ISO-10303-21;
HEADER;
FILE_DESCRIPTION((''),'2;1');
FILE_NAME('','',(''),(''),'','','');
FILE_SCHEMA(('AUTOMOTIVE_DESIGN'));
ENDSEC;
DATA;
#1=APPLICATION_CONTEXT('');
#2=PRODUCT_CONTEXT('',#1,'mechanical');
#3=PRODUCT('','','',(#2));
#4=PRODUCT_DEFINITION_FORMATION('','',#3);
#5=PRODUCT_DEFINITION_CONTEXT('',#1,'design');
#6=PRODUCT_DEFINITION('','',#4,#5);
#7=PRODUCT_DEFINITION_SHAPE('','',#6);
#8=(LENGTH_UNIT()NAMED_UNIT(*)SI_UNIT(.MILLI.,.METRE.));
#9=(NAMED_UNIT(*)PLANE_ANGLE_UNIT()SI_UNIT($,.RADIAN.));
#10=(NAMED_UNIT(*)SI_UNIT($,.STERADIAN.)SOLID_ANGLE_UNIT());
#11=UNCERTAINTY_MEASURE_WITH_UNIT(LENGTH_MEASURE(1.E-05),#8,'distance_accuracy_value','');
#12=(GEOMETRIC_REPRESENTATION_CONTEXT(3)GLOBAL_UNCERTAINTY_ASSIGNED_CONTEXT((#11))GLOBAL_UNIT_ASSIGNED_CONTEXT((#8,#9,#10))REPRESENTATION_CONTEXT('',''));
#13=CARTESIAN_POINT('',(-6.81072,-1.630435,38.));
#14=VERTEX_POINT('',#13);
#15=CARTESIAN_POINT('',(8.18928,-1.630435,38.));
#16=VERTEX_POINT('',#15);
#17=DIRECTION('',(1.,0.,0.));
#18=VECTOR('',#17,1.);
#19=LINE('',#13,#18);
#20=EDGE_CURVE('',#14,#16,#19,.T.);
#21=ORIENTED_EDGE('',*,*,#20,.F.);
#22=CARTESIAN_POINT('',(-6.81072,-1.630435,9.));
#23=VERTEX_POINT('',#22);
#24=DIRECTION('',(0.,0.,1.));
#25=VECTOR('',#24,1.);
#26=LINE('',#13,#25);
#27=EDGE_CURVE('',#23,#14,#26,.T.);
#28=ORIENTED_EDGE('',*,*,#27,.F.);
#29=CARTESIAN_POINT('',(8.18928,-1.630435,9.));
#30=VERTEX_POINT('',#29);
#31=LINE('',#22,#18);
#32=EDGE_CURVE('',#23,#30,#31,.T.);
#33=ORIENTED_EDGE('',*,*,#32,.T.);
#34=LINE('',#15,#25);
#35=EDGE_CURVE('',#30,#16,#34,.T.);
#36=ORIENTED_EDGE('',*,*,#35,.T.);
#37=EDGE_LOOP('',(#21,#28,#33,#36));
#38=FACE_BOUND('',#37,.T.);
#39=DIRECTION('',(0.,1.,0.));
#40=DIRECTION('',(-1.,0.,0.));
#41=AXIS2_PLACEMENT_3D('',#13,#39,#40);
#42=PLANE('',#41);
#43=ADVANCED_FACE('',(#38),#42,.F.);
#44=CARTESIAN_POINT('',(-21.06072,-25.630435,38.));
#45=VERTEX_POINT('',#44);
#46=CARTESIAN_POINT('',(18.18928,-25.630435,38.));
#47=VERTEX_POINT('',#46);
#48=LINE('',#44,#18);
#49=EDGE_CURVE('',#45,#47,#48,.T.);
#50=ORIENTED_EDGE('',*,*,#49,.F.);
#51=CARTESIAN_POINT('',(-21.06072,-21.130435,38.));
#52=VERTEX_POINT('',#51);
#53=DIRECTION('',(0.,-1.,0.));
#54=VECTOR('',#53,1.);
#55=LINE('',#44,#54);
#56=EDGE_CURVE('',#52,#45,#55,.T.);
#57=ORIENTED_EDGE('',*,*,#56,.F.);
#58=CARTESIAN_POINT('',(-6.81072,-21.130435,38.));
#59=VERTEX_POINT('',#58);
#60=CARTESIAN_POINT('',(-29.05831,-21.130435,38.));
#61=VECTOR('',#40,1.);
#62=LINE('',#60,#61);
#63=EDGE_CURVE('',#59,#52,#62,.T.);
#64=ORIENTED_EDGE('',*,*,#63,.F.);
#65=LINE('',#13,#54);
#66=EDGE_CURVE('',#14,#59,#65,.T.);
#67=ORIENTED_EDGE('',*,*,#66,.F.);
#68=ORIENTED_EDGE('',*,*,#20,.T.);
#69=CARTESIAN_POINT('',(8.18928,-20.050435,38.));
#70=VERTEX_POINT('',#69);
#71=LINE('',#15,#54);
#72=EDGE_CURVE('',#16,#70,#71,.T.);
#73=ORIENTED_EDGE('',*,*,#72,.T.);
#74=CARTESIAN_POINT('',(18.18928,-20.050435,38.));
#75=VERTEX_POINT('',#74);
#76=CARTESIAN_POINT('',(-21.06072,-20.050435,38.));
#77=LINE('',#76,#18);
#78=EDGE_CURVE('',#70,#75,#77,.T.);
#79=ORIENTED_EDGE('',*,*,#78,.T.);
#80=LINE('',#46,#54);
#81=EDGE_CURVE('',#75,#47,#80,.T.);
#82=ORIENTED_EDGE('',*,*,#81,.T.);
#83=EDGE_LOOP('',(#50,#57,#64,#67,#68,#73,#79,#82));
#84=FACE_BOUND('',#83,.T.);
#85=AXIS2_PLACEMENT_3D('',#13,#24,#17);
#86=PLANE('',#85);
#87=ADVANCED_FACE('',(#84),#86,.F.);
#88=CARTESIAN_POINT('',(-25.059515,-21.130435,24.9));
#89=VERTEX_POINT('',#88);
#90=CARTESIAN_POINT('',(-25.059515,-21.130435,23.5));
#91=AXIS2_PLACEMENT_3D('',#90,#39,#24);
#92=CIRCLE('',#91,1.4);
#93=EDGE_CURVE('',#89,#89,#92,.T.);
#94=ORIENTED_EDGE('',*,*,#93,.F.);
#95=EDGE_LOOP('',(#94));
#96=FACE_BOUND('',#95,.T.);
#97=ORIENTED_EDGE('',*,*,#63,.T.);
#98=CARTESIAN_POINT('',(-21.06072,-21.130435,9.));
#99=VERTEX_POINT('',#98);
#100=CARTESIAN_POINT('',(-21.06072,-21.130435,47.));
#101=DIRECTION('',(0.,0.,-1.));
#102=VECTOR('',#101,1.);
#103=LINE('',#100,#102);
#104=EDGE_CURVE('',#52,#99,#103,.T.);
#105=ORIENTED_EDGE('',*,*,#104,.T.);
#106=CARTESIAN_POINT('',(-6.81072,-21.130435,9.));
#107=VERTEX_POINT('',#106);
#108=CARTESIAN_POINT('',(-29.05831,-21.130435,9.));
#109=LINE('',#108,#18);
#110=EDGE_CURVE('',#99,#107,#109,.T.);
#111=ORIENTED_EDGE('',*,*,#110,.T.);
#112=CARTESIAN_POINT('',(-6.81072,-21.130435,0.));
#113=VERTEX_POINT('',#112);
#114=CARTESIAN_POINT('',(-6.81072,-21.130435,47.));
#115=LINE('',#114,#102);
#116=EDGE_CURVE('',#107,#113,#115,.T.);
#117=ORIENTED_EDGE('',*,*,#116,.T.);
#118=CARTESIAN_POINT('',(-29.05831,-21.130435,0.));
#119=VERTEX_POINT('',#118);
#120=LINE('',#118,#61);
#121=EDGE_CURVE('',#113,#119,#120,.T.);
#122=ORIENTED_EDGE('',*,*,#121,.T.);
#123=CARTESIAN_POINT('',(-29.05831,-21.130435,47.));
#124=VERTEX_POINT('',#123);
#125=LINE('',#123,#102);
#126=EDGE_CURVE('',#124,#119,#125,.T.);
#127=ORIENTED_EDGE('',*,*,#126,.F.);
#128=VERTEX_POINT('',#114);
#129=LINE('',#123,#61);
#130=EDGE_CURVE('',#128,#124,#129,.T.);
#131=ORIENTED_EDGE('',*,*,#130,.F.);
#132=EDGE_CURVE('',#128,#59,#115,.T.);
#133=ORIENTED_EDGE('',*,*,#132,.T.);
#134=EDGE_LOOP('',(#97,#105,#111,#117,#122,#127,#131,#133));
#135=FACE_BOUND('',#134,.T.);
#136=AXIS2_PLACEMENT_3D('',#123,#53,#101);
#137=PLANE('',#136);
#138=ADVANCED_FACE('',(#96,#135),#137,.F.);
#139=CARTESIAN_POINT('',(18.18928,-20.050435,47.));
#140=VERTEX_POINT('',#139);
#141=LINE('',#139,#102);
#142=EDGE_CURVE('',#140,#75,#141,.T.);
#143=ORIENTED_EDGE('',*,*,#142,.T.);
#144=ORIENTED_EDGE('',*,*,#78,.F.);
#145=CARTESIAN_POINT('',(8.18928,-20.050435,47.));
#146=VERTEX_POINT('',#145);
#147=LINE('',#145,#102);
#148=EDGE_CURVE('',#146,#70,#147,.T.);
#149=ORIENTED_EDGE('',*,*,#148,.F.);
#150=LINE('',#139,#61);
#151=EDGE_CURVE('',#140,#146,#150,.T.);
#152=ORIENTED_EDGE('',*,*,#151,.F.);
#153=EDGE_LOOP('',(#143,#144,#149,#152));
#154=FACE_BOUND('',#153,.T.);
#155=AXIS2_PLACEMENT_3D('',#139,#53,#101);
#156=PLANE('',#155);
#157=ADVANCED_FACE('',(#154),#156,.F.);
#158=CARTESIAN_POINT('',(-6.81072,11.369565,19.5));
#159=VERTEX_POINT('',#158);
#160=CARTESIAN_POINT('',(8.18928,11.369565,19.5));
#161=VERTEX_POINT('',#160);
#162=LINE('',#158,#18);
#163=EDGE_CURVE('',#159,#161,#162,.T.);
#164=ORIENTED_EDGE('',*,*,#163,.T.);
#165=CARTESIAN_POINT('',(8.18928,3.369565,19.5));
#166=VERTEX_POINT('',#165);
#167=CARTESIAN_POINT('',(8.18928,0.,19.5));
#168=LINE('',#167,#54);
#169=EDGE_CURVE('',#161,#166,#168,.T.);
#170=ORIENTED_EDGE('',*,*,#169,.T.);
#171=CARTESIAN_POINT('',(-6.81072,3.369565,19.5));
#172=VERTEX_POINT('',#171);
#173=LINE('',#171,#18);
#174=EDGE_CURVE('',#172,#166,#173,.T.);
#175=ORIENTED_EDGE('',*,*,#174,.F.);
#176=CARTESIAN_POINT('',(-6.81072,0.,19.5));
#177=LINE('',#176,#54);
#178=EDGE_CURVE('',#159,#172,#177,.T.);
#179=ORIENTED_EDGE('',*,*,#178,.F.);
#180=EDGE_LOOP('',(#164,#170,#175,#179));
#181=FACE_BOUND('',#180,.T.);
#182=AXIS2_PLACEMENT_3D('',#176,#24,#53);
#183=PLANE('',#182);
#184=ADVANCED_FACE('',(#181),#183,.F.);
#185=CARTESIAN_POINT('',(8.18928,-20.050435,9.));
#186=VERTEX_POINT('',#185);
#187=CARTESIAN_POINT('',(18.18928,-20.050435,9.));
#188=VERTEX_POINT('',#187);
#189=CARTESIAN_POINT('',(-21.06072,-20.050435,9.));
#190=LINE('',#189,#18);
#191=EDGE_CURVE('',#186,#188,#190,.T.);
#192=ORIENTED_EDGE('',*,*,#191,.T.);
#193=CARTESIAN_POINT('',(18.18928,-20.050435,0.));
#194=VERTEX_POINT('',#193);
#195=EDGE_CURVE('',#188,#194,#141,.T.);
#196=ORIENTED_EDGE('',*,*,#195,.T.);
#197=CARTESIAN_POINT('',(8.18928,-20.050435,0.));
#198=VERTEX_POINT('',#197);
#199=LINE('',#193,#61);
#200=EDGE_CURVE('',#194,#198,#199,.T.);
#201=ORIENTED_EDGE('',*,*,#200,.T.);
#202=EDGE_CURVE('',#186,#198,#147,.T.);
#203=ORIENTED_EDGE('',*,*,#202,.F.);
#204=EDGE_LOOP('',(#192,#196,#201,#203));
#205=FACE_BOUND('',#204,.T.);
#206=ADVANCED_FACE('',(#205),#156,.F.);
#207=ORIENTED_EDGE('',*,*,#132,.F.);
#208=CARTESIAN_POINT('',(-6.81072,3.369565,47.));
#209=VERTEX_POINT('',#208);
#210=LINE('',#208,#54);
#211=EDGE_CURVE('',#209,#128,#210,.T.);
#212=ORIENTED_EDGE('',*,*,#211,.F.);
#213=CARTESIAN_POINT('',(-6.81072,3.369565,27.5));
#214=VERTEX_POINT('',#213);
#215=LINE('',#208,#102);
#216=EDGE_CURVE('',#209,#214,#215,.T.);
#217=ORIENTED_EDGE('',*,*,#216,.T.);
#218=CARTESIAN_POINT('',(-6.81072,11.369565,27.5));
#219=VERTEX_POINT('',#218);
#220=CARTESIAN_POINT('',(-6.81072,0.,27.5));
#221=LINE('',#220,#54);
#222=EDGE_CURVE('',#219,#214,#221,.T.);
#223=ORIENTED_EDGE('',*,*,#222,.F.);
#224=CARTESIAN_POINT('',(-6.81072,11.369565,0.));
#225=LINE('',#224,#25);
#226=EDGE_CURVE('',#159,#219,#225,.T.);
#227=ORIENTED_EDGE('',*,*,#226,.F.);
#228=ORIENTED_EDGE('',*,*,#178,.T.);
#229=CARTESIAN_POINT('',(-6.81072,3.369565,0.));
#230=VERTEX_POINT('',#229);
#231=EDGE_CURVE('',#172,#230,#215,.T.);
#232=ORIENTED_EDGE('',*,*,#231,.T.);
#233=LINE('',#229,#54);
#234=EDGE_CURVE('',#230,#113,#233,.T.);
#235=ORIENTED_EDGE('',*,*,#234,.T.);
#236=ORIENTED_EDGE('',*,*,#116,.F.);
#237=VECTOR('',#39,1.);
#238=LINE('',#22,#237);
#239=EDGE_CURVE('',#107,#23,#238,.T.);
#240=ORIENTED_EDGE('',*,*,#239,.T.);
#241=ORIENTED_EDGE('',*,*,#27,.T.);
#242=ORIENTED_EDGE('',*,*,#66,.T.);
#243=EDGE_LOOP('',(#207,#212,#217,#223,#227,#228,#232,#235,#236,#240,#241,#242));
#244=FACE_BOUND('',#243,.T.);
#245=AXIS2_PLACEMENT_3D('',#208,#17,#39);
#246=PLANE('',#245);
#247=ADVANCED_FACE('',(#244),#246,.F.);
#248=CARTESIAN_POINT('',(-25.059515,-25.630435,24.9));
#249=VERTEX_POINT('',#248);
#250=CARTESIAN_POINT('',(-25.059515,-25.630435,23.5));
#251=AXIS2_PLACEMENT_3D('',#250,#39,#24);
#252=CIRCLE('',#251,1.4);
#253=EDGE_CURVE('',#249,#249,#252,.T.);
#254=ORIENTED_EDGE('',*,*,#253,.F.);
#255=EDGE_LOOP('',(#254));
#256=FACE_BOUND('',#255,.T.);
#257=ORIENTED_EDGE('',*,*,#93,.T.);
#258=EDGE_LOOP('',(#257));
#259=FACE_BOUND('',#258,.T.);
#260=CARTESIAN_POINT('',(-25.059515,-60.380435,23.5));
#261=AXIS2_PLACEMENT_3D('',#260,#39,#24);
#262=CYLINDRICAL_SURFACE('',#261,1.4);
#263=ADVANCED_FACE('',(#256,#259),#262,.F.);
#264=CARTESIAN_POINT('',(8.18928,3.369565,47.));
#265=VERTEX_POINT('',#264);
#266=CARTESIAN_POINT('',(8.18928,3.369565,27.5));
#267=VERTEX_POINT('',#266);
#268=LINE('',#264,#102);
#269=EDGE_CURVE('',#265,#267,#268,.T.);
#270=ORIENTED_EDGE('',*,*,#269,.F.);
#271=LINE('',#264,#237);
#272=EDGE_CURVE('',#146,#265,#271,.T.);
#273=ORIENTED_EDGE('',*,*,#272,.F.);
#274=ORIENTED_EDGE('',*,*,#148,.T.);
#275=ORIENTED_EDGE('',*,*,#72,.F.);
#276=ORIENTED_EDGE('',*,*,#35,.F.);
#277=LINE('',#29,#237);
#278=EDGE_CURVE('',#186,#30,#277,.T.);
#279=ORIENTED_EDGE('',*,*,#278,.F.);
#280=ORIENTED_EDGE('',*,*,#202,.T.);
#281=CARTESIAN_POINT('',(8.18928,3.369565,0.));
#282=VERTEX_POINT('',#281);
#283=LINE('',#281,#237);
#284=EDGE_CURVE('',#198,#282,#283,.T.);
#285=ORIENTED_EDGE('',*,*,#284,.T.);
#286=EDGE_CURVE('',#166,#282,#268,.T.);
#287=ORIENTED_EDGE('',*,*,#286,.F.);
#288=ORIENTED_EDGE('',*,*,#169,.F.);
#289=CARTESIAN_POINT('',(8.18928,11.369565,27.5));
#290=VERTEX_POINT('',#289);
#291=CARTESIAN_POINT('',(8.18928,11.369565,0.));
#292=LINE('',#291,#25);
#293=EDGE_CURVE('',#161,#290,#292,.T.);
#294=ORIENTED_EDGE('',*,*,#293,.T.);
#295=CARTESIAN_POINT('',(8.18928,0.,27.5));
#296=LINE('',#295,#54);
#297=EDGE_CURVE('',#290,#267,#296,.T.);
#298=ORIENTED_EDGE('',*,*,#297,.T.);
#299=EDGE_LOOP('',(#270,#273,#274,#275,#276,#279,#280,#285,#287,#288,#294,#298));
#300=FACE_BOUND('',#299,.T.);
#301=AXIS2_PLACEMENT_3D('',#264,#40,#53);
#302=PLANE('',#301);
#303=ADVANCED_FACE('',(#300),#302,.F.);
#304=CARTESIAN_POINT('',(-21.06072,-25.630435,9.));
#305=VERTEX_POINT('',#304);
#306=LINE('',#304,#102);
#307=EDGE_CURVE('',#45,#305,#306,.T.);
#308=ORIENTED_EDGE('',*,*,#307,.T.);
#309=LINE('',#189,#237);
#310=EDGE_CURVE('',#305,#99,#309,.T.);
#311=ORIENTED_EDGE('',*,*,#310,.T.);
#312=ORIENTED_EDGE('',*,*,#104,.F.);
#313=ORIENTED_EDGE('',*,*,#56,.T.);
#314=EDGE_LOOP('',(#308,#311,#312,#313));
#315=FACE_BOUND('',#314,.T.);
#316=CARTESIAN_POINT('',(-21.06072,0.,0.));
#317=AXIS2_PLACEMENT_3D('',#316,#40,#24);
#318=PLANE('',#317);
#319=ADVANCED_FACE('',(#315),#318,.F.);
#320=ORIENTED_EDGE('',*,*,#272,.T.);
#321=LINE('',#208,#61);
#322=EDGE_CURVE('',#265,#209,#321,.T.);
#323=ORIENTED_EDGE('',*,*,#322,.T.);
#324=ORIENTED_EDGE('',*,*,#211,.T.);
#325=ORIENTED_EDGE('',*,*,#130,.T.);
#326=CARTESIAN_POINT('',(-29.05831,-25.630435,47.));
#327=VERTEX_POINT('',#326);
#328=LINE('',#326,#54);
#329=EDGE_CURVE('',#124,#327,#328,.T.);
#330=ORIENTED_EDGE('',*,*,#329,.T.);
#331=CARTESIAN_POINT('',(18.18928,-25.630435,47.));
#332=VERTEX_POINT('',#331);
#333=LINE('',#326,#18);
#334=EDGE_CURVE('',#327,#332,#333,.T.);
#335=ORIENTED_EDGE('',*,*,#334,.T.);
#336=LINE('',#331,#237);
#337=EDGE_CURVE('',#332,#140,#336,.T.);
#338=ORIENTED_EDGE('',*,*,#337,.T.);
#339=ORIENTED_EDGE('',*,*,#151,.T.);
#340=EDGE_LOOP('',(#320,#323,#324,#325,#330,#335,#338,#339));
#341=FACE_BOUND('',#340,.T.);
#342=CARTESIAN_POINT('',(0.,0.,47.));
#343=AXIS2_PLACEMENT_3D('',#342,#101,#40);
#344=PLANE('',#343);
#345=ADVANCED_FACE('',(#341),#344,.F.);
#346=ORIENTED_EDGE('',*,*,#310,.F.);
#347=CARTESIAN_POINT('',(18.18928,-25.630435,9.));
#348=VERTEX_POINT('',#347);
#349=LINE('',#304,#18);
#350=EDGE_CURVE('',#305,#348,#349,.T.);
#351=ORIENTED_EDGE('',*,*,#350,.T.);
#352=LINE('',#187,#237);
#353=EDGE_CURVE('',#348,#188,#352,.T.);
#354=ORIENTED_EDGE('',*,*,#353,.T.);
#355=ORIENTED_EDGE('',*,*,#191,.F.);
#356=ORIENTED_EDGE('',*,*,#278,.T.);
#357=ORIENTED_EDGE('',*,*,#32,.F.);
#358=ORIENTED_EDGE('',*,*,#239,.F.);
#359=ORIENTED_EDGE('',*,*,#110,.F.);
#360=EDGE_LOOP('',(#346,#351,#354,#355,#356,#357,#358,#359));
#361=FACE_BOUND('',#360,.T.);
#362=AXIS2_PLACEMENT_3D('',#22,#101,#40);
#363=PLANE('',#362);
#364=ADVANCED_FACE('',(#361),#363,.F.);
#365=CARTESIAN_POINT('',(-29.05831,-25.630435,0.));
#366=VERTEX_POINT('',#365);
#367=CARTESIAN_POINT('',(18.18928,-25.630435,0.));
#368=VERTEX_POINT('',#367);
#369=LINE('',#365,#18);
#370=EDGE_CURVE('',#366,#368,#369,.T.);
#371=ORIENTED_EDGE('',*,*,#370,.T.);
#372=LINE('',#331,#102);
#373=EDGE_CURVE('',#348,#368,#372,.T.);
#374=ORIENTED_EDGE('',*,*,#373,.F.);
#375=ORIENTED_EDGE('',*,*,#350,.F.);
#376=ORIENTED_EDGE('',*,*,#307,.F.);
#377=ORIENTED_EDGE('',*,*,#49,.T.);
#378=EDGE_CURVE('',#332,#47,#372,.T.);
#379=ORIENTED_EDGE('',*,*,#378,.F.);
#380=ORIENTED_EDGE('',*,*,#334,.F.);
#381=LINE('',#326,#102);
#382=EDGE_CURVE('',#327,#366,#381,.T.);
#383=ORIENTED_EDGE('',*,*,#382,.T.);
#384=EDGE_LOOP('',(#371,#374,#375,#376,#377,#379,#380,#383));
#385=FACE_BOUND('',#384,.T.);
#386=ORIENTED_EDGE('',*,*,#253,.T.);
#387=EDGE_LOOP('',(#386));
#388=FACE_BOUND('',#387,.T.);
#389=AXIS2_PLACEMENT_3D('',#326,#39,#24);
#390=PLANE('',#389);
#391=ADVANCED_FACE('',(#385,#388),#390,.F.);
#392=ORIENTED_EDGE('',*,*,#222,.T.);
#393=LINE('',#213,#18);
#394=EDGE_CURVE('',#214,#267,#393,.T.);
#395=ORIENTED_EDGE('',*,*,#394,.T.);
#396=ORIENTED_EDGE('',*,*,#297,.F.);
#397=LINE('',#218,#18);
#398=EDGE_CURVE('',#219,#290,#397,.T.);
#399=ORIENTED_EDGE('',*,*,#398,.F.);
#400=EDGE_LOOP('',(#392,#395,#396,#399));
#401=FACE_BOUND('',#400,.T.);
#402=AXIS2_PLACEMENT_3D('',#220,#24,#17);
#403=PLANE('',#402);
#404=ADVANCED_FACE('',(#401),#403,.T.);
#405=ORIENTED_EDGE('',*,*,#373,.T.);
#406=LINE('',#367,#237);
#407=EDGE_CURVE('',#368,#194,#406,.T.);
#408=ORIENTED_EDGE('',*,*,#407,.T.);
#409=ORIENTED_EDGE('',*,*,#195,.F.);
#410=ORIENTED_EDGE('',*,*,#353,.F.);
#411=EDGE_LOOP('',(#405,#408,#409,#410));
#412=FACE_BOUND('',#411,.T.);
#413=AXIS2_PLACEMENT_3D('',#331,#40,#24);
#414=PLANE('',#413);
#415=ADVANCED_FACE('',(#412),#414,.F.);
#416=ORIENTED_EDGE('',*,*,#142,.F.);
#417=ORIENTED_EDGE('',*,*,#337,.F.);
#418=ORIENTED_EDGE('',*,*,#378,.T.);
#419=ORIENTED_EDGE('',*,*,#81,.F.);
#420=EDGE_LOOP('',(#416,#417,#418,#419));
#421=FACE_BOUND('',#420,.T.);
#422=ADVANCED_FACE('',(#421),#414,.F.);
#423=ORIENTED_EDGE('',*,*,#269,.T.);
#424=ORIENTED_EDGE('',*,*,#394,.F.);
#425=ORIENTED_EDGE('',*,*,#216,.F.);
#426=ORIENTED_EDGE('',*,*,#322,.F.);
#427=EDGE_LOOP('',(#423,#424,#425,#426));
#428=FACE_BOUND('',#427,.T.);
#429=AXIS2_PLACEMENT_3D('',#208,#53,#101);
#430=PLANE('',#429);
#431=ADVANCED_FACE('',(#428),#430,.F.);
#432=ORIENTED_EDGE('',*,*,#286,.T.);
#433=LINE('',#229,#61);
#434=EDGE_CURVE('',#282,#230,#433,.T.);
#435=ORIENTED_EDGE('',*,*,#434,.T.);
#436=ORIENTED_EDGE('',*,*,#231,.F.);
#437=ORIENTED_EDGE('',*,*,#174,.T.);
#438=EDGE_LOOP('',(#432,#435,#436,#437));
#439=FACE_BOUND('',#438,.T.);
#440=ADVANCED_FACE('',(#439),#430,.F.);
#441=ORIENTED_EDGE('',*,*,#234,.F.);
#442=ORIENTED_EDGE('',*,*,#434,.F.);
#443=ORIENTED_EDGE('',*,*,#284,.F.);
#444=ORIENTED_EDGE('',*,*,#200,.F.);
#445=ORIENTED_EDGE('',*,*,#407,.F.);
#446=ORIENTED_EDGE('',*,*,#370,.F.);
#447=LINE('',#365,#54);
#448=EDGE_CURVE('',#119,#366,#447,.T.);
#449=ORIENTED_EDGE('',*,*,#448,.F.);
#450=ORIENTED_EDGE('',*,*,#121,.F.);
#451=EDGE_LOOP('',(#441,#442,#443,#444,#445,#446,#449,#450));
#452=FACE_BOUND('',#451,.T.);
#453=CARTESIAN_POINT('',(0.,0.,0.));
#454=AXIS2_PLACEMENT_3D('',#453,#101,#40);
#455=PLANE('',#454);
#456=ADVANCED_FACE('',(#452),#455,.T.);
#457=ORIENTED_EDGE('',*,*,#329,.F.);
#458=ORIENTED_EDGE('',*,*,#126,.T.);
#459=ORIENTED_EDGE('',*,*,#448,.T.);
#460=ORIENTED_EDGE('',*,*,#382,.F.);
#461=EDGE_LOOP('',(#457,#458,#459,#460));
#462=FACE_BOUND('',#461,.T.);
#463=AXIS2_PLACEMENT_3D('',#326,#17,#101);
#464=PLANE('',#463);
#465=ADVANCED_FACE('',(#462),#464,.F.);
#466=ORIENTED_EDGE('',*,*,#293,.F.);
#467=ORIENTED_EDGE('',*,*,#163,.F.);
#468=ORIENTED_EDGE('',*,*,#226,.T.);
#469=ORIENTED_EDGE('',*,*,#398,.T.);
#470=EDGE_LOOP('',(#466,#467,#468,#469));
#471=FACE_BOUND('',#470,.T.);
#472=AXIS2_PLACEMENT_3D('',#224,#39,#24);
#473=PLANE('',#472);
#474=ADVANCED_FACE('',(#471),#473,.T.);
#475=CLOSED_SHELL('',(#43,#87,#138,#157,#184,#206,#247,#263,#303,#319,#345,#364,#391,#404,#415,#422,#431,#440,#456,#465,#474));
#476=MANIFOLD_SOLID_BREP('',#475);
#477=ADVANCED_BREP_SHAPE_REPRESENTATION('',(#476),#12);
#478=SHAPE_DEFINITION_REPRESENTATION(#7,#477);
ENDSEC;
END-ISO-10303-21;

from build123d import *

# Parameters (mm, degrees)
BOSS_EXTRUDE1_DEPTH = 47
SKETCH2_W           = 8
SKETCH2_H           = 8
BOSS_EXTRUDE2_DEPTH = 15
SKETCH4_W           = 29
SKETCH4_H           = 18.42
CUT_EXTRUDE4_DEPTH  = 15
SKETCH5_W           = 29
SKETCH5_H           = 5.58
CUT_EXTRUDE5_DEPTH  = 39.25
SKETCH7_R           = 1.4
CUT_EXTRUDE6_DEPTH  = 39.25


with BuildPart() as part:
    # Sketch1 → Boss-Extrude1 (new body)
    with BuildSketch(Plane.XY):
        Polygon((-6.810719807, 3.369565217), (-6.810719807, -21.130434783), (-29.058309823, -21.130434783), (-29.058309823, -25.630434783), (18.189280193, -25.630434783), (18.189280193, -20.050434783), (8.189280193, -20.050434783), (8.189280193, 3.369565217), align=None)
    extrude(amount=BOSS_EXTRUDE1_DEPTH)

    # Sketch2 → Boss-Extrude2 (add)
    with BuildSketch(Plane(origin=(8.189280193, 0, 0), x_dir=(0, 0, -1), z_dir=(1, 0, 0))):
        with Locations((-23.5, 7.369565217)):
            Rectangle(SKETCH2_W, SKETCH2_H)
    extrude(amount=-BOSS_EXTRUDE2_DEPTH)

    # Sketch4 → Cut-Extrude4 (cut)
    with BuildSketch(Plane(origin=(8.189280193, 0, 0), x_dir=(0, 0, -1), z_dir=(1, 0, 0))):
        with Locations((-23.5, -10.840434783)):
            Rectangle(SKETCH4_W, SKETCH4_H)
    extrude(amount=-CUT_EXTRUDE4_DEPTH, mode=Mode.SUBTRACT)

    # Sketch5 → Cut-Extrude5 (cut)
    with BuildSketch(Plane(origin=(18.189280193, 0, 0), x_dir=(0, 0, -1), z_dir=(1, 0, 0))):
        with Locations((-23.5, -22.840434783)):
            Rectangle(SKETCH5_W, SKETCH5_H)
    extrude(amount=-CUT_EXTRUDE5_DEPTH, mode=Mode.SUBTRACT)

    # Sketch7 → Cut-Extrude6 (cut)
    with BuildSketch(Plane(origin=(0, -21.130434783, 0), x_dir=(1, 0, 0), z_dir=(0, 1, 0))):
        with Locations((-25.059514815, -23.5)):
            Circle(SKETCH7_R)
    extrude(amount=-CUT_EXTRUDE6_DEPTH, mode=Mode.SUBTRACT)


solid = part.part
